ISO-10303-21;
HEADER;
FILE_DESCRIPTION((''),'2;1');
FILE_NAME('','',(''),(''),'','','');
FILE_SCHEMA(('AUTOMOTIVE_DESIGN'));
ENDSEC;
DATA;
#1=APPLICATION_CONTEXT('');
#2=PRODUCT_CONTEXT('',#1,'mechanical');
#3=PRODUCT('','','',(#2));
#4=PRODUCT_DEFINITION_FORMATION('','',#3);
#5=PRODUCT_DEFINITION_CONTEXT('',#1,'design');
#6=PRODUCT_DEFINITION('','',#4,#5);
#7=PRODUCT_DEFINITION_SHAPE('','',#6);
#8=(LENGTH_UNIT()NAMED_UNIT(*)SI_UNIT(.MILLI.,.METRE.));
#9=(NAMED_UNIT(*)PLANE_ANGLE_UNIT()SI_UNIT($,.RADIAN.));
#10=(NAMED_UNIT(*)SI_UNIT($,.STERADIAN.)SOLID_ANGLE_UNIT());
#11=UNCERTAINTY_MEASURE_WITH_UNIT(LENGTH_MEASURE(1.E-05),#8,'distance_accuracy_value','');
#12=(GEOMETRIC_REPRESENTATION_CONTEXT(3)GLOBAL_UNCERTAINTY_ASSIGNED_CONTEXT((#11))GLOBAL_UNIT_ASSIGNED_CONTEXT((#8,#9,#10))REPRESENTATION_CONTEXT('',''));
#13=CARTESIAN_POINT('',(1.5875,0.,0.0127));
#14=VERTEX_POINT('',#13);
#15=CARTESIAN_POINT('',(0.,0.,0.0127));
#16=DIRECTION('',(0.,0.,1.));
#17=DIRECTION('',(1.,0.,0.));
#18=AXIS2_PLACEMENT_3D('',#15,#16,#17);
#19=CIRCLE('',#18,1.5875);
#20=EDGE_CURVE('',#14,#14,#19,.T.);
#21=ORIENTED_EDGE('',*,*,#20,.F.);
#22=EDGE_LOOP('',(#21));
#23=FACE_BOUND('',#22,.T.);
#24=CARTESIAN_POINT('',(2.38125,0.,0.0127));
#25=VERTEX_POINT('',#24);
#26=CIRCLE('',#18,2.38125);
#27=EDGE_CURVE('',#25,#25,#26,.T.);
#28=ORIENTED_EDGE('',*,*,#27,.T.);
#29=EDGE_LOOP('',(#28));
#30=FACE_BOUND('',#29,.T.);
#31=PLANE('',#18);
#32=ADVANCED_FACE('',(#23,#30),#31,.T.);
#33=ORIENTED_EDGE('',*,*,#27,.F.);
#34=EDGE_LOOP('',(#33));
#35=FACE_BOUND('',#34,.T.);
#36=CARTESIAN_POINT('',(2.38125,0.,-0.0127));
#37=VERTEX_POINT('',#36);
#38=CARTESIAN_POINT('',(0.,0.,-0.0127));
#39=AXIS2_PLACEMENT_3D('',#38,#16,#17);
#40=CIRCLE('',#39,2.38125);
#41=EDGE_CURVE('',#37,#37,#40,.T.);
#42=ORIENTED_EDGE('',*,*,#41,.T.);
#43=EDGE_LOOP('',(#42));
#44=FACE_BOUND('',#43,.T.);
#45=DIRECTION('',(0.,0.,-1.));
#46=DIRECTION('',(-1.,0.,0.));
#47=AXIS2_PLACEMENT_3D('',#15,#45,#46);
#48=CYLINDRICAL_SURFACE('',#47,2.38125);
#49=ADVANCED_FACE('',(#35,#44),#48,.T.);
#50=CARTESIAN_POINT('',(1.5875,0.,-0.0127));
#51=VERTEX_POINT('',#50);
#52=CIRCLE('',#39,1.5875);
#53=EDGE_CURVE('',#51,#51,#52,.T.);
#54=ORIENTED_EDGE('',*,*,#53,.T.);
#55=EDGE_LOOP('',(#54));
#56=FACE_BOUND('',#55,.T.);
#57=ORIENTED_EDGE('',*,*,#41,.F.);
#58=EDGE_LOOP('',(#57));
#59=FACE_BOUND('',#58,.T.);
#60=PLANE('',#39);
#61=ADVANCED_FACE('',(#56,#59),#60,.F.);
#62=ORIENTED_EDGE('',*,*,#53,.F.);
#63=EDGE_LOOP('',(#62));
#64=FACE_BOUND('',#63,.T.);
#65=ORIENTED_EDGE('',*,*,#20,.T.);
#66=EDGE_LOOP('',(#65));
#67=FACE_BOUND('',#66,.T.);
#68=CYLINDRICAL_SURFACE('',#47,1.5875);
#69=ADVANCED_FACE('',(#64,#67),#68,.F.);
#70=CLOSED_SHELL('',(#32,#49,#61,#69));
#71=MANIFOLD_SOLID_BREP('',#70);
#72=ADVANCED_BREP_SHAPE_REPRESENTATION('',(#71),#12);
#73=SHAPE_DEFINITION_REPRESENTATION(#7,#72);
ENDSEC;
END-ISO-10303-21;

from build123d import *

# Parameters (mm, degrees)
SKETCH3_R           = 2.38125
SKETCH3_R_2         = 1.5875
BOSS_EXTRUDE1_DEPTH = 0.0127


with BuildPart() as part:
    # Sketch3 → Boss-Extrude1 (new, symmetric)
    with BuildSketch(Plane.XY):
        Circle(SKETCH3_R)
        Circle(SKETCH3_R_2, mode=Mode.SUBTRACT)
    extrude(amount=BOSS_EXTRUDE1_DEPTH, both=True)


solid = part.part
